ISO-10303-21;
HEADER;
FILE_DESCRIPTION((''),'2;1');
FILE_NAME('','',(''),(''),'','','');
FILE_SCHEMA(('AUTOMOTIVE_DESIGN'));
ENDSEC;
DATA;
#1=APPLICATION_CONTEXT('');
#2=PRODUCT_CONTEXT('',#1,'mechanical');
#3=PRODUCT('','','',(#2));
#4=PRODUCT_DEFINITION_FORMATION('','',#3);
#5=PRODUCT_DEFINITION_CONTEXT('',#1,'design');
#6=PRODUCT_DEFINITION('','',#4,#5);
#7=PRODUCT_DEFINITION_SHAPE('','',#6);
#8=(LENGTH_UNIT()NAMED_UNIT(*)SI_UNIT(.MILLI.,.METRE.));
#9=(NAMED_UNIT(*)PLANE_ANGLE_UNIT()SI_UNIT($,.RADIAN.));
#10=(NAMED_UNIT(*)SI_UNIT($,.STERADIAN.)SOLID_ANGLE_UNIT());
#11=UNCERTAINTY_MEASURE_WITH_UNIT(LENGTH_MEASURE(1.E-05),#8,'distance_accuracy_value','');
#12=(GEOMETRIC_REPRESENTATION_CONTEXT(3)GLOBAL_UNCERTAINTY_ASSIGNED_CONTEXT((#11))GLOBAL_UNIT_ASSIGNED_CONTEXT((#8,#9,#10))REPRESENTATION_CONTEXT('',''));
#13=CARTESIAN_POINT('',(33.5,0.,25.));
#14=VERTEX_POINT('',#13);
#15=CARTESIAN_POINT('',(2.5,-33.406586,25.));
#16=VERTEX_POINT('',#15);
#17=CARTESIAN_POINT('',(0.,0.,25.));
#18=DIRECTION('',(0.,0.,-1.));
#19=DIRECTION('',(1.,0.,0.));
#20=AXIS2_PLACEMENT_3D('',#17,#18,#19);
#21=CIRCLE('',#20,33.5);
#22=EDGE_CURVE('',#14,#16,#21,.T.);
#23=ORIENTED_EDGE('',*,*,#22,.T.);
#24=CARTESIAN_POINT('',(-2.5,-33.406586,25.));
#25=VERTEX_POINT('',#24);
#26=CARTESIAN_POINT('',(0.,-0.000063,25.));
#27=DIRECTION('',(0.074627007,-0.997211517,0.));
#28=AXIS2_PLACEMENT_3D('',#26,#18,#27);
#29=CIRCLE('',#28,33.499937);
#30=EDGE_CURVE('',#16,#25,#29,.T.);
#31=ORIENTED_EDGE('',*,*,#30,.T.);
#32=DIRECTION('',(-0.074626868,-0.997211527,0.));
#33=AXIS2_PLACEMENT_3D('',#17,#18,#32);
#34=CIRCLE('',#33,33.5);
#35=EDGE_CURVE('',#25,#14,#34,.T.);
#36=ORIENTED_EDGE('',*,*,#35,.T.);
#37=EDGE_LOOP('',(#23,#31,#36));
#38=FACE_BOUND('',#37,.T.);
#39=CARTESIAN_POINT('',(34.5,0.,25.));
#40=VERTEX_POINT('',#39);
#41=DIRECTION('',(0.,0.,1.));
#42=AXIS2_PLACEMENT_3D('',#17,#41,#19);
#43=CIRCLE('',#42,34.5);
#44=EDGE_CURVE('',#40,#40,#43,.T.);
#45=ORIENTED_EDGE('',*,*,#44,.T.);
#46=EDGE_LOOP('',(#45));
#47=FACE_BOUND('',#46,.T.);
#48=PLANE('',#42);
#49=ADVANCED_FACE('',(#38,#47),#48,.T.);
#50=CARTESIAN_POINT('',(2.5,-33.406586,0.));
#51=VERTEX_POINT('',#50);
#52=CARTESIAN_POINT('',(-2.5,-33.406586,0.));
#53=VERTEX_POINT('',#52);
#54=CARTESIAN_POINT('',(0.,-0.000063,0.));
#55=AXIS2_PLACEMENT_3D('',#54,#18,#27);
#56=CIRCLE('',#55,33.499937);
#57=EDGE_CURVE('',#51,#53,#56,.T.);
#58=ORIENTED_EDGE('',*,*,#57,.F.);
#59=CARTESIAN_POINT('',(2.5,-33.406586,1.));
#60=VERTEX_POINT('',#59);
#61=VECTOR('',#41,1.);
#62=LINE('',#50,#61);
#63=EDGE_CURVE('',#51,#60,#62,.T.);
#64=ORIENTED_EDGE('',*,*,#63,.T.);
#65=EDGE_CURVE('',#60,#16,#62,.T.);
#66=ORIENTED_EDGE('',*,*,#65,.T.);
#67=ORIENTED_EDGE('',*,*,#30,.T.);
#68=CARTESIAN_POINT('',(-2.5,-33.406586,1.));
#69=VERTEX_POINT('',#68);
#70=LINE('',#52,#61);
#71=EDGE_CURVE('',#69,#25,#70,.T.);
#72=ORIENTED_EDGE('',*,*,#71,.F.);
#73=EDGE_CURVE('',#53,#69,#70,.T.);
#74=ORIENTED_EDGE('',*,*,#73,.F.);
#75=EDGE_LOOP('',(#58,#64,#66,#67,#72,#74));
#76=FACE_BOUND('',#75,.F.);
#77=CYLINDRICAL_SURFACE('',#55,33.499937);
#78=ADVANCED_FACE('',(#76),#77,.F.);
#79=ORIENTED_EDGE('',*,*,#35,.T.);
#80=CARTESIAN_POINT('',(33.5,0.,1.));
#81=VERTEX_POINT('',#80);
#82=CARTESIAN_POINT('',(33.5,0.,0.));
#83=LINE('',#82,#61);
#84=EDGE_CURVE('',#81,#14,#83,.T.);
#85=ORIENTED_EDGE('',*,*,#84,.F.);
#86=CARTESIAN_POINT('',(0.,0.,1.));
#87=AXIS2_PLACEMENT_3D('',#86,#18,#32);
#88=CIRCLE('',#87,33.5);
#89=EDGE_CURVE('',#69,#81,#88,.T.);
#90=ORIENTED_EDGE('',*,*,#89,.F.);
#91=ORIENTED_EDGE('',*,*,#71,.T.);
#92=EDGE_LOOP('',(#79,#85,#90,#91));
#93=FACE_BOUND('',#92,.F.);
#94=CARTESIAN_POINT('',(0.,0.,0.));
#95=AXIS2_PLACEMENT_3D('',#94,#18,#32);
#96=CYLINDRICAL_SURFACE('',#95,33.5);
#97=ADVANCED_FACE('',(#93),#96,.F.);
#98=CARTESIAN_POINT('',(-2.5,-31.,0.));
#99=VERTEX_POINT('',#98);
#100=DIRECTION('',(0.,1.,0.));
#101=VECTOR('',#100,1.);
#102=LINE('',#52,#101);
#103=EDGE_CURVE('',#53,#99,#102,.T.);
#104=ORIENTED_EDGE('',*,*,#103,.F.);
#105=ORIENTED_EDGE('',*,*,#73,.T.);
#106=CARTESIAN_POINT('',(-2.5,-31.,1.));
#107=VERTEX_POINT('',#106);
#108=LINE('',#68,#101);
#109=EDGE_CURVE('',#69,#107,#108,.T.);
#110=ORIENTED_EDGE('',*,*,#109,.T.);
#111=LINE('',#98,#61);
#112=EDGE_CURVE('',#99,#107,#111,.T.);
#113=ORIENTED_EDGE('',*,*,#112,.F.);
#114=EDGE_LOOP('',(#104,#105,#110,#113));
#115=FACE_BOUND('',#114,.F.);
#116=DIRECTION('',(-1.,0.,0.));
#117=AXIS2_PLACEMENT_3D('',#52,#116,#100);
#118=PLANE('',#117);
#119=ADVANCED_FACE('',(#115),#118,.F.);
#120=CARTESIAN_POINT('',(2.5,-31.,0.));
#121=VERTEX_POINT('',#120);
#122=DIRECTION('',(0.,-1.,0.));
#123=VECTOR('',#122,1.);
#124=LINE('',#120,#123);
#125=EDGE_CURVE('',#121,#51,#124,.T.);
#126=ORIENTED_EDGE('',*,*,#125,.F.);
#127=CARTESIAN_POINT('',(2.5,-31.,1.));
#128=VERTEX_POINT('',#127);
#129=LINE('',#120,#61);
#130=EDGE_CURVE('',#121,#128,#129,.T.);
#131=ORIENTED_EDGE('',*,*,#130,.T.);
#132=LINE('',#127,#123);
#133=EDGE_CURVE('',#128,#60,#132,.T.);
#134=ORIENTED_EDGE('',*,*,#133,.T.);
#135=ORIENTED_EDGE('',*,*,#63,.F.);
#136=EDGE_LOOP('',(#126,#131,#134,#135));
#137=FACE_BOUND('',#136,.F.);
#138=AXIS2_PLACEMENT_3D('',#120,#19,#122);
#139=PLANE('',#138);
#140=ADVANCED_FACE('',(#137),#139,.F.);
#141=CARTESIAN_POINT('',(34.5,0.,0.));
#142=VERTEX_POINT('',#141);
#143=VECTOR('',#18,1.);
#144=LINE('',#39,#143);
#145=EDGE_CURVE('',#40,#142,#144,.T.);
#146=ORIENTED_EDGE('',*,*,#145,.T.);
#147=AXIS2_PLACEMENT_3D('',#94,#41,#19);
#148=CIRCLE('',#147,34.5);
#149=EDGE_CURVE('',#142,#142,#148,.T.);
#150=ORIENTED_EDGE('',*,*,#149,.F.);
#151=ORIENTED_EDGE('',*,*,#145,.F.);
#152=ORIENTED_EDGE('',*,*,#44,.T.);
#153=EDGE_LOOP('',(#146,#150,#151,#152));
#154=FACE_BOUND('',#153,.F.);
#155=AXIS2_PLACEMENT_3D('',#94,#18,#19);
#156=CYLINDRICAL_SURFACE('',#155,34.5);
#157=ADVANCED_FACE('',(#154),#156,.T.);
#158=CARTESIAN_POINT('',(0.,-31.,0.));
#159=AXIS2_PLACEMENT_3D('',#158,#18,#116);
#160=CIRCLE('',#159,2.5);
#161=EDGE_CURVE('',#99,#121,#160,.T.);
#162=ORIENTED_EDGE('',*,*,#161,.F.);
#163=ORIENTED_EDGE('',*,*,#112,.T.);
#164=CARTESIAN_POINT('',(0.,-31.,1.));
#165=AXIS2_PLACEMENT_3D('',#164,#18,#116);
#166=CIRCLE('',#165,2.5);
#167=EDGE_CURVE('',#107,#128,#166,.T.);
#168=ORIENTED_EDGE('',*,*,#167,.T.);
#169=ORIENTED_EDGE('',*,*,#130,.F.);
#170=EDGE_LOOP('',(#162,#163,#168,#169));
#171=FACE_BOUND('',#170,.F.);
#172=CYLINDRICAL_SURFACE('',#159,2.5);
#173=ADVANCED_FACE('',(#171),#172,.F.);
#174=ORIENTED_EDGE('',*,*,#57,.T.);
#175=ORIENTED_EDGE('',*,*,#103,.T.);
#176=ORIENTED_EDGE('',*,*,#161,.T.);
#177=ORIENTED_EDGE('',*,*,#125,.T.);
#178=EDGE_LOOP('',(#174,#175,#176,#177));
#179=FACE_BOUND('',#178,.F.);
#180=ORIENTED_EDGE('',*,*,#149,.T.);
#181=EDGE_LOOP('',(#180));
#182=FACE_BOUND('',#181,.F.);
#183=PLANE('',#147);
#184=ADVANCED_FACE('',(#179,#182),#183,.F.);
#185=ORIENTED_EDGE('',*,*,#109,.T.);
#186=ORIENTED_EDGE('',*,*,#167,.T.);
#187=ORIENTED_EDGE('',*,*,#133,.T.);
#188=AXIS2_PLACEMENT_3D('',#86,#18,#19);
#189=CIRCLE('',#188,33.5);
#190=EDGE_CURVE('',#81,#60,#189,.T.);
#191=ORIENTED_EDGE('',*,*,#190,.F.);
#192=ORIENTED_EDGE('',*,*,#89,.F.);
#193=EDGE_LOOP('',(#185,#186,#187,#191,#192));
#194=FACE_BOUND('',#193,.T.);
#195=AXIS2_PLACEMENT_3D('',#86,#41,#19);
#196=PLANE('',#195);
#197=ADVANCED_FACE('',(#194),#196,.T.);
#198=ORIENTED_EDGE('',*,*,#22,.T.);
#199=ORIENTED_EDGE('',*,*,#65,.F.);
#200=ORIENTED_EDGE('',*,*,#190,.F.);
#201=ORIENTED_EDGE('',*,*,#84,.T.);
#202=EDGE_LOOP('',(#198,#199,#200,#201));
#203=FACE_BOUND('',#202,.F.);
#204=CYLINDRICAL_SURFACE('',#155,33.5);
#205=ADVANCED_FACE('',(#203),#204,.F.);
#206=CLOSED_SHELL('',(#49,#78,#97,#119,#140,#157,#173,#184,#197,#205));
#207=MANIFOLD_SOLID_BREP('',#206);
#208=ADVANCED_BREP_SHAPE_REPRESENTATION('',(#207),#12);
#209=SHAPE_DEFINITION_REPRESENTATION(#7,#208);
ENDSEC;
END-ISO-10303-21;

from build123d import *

# Parameters (mm, degrees)
F0_R     = 34.5
F1_DEPTH = 1
F2_DEPTH = 25


with BuildPart() as f1:
    # F0 (on Top) → F1 (new body)
    with BuildSketch(Plane.XY):
        Circle(F0_R)
        with BuildLine():
            ThreePointArc((-2.5, -33.406586), (-22.787058, 24.556058), (33.5, 0))
            ThreePointArc((33.5, 0), (24.556058, -22.787058), (2.5, -33.406586))
            ThreePointArc((2.5, -33.406586), (0, -33.5), (-2.5, -33.406586))
        make_face(mode=Mode.SUBTRACT)
        with BuildLine():
            ThreePointArc((2.5, -33.406586), (24.556058, -22.787058), (33.5, 0))
            ThreePointArc((33.5, 0), (-22.787058, 24.556058), (-2.5, -33.406586))
            Line((-2.5, -33.406586), (-2.5, -31))
            ThreePointArc((-2.5, -31), (0, -28.5), (2.5, -31))
            Line((2.5, -31), (2.5, -33.406586))
        make_face()
    extrude(amount=F1_DEPTH)

    # F0 (on Top) → F2 (join)
    with BuildSketch(Plane.XY):
        Circle(F0_R)
        with BuildLine():
            ThreePointArc((-2.5, -33.406586), (-22.787058, 24.556058), (33.5, 0))
            ThreePointArc((33.5, 0), (24.556058, -22.787058), (2.5, -33.406586))
            ThreePointArc((2.5, -33.406586), (0, -33.5), (-2.5, -33.406586))
        make_face(mode=Mode.SUBTRACT)
    extrude(amount=F2_DEPTH)


solid = f1.part
